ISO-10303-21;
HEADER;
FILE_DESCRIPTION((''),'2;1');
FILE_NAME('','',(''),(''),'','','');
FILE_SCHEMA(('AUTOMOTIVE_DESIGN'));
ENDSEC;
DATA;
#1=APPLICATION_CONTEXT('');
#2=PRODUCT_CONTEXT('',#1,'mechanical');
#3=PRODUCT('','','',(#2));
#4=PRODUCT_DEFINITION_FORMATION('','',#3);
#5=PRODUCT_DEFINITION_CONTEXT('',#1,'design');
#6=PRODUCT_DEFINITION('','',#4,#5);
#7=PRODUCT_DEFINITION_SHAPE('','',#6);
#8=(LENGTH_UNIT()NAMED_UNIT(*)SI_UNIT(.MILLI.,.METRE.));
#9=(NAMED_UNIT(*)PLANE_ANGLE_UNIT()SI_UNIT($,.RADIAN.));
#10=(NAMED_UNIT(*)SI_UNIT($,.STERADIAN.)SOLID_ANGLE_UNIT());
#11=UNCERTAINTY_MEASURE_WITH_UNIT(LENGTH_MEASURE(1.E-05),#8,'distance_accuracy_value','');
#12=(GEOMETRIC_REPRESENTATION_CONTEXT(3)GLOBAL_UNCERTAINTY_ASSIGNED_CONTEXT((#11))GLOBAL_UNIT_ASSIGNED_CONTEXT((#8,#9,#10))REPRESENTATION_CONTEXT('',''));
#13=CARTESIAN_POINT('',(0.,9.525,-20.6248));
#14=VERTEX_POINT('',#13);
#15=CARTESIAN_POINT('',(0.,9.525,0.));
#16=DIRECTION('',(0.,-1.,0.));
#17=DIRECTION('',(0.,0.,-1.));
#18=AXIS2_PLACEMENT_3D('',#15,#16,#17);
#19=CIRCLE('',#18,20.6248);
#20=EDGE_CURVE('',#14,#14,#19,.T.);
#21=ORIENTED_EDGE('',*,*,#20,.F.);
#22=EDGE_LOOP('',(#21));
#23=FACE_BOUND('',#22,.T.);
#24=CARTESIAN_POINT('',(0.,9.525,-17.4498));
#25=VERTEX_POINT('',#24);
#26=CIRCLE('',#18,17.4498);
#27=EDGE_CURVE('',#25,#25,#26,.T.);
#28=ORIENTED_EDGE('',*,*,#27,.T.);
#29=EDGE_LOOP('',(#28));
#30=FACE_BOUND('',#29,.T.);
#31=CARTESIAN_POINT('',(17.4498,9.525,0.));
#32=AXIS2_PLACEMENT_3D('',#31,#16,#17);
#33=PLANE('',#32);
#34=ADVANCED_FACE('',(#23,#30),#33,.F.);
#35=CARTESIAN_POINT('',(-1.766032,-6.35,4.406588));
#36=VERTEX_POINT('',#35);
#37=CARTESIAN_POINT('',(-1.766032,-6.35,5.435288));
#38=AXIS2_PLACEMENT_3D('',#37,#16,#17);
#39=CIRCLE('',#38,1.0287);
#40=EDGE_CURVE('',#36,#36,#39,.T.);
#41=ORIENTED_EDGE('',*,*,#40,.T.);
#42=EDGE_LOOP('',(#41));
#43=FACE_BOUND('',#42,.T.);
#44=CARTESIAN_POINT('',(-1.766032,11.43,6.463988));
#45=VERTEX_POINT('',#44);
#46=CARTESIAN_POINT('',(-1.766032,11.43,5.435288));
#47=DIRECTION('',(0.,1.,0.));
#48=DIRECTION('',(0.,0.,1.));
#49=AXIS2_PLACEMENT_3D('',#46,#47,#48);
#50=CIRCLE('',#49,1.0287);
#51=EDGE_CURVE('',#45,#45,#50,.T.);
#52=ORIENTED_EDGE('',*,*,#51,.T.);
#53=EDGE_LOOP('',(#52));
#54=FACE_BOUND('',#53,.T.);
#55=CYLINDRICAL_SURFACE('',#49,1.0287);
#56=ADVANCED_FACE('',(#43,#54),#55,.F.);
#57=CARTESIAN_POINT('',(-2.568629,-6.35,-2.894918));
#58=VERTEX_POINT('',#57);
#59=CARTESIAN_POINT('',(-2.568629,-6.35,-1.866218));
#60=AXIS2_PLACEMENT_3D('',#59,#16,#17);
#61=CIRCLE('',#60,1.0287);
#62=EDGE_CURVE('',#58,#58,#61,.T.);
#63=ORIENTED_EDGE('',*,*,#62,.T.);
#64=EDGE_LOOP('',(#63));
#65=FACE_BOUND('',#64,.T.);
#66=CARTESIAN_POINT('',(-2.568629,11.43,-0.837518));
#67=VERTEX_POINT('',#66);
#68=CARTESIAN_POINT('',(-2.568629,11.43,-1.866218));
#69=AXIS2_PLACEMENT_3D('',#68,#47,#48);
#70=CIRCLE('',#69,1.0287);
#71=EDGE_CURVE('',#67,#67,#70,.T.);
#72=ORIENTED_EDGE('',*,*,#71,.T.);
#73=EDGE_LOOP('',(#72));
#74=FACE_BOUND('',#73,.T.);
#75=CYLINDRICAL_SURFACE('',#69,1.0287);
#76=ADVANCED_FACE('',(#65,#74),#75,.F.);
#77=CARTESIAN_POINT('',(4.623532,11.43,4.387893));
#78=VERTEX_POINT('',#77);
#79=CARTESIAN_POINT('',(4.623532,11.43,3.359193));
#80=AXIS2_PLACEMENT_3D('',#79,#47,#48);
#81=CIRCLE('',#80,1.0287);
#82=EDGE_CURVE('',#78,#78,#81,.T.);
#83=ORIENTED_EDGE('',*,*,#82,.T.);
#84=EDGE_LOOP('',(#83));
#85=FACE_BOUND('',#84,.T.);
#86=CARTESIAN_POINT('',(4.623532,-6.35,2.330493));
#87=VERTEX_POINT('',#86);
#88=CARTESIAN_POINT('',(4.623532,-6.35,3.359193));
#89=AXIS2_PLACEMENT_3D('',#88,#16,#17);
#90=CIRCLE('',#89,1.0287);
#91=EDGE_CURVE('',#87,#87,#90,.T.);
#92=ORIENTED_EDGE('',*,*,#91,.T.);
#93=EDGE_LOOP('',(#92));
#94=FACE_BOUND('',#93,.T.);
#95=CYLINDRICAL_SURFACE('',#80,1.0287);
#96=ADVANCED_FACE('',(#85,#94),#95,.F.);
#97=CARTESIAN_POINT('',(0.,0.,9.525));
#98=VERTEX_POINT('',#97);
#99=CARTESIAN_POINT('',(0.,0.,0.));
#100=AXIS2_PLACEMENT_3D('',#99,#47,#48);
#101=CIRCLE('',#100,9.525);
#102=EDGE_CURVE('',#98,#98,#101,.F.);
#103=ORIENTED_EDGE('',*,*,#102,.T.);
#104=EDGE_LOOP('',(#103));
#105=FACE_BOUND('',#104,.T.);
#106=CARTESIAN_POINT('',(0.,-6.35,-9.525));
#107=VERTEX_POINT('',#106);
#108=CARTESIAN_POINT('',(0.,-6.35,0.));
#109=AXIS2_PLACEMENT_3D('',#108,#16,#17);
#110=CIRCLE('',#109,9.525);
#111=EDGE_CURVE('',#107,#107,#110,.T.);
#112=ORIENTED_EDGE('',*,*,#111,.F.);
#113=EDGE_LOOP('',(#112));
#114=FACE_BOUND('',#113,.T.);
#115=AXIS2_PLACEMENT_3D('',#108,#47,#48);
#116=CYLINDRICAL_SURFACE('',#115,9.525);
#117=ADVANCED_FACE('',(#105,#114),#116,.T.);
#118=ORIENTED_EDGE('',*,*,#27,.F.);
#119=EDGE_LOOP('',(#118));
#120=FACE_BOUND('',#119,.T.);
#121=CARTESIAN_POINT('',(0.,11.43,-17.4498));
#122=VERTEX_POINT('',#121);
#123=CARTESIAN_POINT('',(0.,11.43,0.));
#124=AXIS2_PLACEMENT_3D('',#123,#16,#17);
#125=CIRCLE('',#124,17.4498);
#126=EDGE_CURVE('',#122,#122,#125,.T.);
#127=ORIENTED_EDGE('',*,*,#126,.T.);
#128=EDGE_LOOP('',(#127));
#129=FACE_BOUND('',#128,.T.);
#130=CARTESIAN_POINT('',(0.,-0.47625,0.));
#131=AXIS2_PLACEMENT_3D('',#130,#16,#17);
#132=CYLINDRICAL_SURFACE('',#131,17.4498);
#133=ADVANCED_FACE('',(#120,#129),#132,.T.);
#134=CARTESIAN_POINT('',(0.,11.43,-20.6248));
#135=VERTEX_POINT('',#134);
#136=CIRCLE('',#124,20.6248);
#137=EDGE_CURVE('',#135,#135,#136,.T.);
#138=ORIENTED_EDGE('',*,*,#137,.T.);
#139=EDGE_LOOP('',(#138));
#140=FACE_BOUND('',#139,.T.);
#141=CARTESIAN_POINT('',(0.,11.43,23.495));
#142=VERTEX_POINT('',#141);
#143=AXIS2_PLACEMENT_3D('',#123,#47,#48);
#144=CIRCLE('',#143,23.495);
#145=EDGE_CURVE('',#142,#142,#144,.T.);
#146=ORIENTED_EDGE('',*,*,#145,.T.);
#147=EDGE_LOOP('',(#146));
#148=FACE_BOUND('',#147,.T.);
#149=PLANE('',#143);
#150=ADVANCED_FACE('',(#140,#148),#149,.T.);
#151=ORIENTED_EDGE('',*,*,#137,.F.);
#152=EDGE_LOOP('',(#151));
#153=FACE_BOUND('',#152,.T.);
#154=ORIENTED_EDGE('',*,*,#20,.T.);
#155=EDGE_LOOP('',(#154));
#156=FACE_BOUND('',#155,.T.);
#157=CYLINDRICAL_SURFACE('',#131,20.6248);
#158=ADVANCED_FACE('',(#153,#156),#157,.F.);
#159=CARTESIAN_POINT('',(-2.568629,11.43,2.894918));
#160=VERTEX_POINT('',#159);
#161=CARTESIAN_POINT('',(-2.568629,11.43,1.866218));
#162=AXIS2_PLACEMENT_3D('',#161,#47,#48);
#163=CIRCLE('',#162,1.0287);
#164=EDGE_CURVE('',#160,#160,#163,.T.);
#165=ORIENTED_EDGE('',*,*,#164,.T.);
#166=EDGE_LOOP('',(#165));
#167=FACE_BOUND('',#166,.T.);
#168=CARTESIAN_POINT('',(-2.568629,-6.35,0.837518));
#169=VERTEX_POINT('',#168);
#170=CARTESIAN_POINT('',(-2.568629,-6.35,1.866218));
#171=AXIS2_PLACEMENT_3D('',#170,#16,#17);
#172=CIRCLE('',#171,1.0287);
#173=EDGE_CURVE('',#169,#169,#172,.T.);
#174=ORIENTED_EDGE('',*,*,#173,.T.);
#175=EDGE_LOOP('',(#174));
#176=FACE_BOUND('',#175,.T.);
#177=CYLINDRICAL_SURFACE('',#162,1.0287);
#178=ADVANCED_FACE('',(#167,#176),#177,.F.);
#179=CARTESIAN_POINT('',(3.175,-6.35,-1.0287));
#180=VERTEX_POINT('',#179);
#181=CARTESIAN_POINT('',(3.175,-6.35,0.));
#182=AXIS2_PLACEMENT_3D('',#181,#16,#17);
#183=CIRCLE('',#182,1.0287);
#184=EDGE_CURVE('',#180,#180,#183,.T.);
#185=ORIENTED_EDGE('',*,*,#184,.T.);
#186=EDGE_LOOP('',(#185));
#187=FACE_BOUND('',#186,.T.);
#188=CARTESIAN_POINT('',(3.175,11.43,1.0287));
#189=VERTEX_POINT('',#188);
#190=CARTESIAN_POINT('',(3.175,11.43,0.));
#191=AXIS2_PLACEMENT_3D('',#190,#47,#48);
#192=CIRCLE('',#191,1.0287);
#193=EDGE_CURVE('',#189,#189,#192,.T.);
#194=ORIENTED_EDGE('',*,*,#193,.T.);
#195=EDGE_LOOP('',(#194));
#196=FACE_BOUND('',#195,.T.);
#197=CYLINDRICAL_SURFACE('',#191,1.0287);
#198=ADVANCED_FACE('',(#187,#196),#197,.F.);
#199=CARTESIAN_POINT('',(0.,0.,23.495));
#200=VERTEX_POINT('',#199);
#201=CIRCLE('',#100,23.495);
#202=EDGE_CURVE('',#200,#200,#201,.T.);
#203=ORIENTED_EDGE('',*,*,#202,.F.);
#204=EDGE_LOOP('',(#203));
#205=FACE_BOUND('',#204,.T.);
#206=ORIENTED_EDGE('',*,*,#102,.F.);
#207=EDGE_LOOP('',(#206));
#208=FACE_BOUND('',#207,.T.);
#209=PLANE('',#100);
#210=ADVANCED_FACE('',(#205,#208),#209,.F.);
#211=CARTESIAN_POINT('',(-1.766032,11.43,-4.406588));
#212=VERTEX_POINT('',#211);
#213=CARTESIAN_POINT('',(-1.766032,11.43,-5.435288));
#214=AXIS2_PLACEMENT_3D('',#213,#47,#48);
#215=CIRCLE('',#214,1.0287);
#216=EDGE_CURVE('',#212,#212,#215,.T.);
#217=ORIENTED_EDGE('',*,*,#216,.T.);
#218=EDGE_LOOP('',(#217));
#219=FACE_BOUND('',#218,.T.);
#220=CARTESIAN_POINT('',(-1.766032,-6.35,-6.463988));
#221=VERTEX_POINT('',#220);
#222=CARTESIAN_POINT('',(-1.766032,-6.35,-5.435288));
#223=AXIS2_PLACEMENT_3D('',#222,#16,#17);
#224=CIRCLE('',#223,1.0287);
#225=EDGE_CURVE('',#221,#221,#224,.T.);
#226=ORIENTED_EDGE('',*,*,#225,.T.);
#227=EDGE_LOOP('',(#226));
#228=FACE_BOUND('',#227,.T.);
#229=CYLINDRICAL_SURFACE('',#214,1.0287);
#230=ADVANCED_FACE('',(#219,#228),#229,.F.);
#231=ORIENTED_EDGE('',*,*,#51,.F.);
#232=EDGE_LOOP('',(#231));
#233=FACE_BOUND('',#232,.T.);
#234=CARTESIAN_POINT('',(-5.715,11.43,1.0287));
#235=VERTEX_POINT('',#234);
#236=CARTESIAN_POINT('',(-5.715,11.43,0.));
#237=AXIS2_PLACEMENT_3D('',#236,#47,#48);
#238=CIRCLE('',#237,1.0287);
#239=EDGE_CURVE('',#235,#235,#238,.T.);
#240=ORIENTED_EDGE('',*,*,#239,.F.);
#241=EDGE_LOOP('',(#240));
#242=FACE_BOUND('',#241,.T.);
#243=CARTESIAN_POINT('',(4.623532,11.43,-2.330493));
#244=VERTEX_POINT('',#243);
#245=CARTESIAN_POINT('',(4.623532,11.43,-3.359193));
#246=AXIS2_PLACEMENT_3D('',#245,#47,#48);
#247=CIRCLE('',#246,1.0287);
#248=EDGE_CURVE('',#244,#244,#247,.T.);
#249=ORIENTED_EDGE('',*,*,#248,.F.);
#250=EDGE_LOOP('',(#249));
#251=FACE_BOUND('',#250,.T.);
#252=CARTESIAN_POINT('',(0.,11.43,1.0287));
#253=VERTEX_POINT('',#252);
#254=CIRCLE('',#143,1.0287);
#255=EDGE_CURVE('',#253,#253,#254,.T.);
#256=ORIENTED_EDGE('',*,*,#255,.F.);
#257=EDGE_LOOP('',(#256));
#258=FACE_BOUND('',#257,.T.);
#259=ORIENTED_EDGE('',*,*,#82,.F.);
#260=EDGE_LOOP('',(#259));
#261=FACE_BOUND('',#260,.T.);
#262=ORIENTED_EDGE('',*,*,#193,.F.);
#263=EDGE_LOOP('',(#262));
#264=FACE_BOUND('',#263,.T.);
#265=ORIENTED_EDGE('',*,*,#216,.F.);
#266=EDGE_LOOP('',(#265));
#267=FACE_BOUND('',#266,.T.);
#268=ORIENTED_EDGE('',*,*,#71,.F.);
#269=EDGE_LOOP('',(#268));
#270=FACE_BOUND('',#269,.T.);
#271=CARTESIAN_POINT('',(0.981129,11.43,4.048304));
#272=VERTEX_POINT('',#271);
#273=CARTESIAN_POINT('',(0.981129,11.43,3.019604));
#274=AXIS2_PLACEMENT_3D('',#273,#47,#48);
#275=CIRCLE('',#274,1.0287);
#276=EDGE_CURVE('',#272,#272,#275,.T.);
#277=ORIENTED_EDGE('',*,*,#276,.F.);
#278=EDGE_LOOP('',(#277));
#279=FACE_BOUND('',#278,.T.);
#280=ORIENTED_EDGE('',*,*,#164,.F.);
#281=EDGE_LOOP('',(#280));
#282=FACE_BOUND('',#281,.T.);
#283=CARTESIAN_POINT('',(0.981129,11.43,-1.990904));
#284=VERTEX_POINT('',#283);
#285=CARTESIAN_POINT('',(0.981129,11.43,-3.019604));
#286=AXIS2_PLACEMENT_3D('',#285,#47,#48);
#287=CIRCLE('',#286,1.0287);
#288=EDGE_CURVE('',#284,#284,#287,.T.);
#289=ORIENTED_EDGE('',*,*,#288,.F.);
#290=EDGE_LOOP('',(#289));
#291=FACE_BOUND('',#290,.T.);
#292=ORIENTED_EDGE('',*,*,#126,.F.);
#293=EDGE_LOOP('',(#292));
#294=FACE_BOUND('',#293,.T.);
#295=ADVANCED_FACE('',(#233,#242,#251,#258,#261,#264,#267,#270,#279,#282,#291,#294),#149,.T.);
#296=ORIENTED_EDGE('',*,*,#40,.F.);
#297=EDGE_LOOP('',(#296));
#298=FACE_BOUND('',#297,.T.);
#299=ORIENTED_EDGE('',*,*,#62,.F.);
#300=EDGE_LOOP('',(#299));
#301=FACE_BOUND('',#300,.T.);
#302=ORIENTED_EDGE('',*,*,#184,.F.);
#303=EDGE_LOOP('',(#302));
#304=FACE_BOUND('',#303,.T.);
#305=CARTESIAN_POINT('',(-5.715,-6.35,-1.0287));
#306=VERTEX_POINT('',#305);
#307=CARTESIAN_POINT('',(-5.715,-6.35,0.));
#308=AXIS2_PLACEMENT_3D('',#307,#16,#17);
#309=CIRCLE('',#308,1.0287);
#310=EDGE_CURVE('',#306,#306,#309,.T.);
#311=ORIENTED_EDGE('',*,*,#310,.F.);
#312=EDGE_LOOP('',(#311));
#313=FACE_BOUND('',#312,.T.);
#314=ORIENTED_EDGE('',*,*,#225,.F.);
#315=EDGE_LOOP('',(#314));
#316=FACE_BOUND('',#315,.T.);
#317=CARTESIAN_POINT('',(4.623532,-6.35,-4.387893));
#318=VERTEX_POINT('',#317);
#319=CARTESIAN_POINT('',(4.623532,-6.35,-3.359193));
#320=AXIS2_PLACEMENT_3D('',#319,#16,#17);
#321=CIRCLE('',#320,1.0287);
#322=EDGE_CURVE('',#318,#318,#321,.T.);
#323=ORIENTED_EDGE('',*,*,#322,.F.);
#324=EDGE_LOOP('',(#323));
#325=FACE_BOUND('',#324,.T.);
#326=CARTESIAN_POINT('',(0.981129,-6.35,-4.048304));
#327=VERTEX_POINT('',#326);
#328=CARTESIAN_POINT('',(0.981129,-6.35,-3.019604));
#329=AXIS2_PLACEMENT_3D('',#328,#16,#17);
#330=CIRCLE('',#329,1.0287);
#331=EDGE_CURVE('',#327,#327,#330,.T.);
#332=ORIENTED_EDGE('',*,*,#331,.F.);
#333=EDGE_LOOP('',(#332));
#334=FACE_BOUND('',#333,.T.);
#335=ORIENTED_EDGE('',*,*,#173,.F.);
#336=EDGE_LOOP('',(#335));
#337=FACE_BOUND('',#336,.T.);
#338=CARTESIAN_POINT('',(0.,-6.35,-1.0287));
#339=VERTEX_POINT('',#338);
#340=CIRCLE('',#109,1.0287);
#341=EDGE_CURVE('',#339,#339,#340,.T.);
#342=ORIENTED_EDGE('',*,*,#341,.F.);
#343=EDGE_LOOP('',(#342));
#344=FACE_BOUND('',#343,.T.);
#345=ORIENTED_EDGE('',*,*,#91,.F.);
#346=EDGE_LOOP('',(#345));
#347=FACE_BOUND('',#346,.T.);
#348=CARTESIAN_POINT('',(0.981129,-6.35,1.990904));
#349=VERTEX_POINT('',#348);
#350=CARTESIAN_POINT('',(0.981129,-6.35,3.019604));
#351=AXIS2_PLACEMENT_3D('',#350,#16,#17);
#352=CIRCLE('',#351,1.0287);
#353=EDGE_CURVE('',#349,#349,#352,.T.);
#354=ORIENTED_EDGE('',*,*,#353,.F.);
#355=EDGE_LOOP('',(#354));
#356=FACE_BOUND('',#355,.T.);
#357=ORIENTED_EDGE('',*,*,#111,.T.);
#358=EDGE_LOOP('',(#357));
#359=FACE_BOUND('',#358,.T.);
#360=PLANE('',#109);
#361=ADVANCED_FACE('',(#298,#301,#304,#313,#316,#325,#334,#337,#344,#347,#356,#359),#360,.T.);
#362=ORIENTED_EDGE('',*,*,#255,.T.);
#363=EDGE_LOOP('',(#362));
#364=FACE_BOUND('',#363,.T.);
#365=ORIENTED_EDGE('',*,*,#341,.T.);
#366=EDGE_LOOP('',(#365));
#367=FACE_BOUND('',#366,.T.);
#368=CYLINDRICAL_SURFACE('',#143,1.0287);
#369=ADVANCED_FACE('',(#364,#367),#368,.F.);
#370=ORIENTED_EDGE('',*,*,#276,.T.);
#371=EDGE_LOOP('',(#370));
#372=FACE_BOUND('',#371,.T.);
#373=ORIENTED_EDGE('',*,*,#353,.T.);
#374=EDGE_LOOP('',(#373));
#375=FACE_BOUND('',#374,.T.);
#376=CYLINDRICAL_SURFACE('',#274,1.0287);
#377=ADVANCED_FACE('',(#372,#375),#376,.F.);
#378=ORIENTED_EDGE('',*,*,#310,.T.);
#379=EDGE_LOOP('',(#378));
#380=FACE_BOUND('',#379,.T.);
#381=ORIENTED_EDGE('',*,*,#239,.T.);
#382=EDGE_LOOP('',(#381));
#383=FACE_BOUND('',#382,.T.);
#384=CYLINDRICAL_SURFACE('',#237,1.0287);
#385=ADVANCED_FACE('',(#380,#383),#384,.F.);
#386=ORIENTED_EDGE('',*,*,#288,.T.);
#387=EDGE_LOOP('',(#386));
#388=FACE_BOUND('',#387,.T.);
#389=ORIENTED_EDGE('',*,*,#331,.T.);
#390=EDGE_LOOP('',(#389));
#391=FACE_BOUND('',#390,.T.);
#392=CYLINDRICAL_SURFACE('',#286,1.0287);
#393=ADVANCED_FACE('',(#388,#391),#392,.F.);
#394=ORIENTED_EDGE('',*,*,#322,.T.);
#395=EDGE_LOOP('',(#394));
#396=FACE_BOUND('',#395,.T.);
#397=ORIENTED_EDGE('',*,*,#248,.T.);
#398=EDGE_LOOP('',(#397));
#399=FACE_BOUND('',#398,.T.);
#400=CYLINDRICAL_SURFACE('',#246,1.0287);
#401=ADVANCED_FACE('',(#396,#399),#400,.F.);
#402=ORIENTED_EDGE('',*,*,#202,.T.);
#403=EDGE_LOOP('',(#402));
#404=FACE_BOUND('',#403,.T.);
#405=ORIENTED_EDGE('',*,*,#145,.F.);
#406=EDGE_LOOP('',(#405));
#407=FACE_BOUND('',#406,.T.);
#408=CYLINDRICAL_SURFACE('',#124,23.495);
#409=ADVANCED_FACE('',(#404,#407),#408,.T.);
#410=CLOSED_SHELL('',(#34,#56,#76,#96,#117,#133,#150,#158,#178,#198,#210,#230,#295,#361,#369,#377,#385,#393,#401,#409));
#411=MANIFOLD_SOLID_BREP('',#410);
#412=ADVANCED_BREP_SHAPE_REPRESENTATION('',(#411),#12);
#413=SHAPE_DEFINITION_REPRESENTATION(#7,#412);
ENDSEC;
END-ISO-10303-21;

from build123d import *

# Parameters (mm, degrees)
SKETCH2_R                       = 23.495
BOSS_EXTRUDE1_DEPTH             = 11.43
SKETCH8_W                       = 3.175
SKETCH8_H                       = 1.905
SKETCH12_R                      = 9.525
BOSS_EXTRUDE2_DEPTH             = 6.35
F_46_0_081_DIAMETER_HOLE1_D     = 2.0574
F_46_0_081_DIAMETER_HOLE1_DEPTH = 17.78


with BuildPart() as part:
    # Sketch2 → Boss-Extrude1 (new body)
    with BuildSketch(Plane(origin=(0, 0, 0), x_dir=(1, 0, 0), z_dir=(0, 1, 0))):
        Circle(SKETCH2_R)
    extrude(amount=BOSS_EXTRUDE1_DEPTH)

    # Sketch8 → Cut-Revolve1 (revolve, cut)
    with BuildSketch(Plane.XY):
        with Locations((19.0373, 10.4775)):
            Rectangle(SKETCH8_W, SKETCH8_H)
    revolve(axis=Axis((0, -0.47625, 0), (0, 1, 0)), mode=Mode.SUBTRACT)

    # Sketch12 → Boss-Extrude2 (add)
    with BuildSketch(Plane.XZ):
        Circle(SKETCH12_R)
    extrude(amount=BOSS_EXTRUDE2_DEPTH)

    # #46 (0.081) Diameter Hole1
    with Locations(Plane(origin=(0, 11.43, 0), x_dir=(1, 0, 0), z_dir=(0, 1, 0))):
        with Locations((-5.715, 0), (-2.568628957, 1.866218176), (0, 0), (-1.766032123, 5.435287991), (4.623532123, 3.359192717), (4.623532123, -3.359192717), (-1.766032123, -5.435287991), (0.981128957, 3.019604439), (3.175, 0), (0.981128957, -3.019604439), (-2.568628957, -1.866218176)):
            Hole(F_46_0_081_DIAMETER_HOLE1_D / 2, depth=F_46_0_081_DIAMETER_HOLE1_DEPTH)


solid = part.part
